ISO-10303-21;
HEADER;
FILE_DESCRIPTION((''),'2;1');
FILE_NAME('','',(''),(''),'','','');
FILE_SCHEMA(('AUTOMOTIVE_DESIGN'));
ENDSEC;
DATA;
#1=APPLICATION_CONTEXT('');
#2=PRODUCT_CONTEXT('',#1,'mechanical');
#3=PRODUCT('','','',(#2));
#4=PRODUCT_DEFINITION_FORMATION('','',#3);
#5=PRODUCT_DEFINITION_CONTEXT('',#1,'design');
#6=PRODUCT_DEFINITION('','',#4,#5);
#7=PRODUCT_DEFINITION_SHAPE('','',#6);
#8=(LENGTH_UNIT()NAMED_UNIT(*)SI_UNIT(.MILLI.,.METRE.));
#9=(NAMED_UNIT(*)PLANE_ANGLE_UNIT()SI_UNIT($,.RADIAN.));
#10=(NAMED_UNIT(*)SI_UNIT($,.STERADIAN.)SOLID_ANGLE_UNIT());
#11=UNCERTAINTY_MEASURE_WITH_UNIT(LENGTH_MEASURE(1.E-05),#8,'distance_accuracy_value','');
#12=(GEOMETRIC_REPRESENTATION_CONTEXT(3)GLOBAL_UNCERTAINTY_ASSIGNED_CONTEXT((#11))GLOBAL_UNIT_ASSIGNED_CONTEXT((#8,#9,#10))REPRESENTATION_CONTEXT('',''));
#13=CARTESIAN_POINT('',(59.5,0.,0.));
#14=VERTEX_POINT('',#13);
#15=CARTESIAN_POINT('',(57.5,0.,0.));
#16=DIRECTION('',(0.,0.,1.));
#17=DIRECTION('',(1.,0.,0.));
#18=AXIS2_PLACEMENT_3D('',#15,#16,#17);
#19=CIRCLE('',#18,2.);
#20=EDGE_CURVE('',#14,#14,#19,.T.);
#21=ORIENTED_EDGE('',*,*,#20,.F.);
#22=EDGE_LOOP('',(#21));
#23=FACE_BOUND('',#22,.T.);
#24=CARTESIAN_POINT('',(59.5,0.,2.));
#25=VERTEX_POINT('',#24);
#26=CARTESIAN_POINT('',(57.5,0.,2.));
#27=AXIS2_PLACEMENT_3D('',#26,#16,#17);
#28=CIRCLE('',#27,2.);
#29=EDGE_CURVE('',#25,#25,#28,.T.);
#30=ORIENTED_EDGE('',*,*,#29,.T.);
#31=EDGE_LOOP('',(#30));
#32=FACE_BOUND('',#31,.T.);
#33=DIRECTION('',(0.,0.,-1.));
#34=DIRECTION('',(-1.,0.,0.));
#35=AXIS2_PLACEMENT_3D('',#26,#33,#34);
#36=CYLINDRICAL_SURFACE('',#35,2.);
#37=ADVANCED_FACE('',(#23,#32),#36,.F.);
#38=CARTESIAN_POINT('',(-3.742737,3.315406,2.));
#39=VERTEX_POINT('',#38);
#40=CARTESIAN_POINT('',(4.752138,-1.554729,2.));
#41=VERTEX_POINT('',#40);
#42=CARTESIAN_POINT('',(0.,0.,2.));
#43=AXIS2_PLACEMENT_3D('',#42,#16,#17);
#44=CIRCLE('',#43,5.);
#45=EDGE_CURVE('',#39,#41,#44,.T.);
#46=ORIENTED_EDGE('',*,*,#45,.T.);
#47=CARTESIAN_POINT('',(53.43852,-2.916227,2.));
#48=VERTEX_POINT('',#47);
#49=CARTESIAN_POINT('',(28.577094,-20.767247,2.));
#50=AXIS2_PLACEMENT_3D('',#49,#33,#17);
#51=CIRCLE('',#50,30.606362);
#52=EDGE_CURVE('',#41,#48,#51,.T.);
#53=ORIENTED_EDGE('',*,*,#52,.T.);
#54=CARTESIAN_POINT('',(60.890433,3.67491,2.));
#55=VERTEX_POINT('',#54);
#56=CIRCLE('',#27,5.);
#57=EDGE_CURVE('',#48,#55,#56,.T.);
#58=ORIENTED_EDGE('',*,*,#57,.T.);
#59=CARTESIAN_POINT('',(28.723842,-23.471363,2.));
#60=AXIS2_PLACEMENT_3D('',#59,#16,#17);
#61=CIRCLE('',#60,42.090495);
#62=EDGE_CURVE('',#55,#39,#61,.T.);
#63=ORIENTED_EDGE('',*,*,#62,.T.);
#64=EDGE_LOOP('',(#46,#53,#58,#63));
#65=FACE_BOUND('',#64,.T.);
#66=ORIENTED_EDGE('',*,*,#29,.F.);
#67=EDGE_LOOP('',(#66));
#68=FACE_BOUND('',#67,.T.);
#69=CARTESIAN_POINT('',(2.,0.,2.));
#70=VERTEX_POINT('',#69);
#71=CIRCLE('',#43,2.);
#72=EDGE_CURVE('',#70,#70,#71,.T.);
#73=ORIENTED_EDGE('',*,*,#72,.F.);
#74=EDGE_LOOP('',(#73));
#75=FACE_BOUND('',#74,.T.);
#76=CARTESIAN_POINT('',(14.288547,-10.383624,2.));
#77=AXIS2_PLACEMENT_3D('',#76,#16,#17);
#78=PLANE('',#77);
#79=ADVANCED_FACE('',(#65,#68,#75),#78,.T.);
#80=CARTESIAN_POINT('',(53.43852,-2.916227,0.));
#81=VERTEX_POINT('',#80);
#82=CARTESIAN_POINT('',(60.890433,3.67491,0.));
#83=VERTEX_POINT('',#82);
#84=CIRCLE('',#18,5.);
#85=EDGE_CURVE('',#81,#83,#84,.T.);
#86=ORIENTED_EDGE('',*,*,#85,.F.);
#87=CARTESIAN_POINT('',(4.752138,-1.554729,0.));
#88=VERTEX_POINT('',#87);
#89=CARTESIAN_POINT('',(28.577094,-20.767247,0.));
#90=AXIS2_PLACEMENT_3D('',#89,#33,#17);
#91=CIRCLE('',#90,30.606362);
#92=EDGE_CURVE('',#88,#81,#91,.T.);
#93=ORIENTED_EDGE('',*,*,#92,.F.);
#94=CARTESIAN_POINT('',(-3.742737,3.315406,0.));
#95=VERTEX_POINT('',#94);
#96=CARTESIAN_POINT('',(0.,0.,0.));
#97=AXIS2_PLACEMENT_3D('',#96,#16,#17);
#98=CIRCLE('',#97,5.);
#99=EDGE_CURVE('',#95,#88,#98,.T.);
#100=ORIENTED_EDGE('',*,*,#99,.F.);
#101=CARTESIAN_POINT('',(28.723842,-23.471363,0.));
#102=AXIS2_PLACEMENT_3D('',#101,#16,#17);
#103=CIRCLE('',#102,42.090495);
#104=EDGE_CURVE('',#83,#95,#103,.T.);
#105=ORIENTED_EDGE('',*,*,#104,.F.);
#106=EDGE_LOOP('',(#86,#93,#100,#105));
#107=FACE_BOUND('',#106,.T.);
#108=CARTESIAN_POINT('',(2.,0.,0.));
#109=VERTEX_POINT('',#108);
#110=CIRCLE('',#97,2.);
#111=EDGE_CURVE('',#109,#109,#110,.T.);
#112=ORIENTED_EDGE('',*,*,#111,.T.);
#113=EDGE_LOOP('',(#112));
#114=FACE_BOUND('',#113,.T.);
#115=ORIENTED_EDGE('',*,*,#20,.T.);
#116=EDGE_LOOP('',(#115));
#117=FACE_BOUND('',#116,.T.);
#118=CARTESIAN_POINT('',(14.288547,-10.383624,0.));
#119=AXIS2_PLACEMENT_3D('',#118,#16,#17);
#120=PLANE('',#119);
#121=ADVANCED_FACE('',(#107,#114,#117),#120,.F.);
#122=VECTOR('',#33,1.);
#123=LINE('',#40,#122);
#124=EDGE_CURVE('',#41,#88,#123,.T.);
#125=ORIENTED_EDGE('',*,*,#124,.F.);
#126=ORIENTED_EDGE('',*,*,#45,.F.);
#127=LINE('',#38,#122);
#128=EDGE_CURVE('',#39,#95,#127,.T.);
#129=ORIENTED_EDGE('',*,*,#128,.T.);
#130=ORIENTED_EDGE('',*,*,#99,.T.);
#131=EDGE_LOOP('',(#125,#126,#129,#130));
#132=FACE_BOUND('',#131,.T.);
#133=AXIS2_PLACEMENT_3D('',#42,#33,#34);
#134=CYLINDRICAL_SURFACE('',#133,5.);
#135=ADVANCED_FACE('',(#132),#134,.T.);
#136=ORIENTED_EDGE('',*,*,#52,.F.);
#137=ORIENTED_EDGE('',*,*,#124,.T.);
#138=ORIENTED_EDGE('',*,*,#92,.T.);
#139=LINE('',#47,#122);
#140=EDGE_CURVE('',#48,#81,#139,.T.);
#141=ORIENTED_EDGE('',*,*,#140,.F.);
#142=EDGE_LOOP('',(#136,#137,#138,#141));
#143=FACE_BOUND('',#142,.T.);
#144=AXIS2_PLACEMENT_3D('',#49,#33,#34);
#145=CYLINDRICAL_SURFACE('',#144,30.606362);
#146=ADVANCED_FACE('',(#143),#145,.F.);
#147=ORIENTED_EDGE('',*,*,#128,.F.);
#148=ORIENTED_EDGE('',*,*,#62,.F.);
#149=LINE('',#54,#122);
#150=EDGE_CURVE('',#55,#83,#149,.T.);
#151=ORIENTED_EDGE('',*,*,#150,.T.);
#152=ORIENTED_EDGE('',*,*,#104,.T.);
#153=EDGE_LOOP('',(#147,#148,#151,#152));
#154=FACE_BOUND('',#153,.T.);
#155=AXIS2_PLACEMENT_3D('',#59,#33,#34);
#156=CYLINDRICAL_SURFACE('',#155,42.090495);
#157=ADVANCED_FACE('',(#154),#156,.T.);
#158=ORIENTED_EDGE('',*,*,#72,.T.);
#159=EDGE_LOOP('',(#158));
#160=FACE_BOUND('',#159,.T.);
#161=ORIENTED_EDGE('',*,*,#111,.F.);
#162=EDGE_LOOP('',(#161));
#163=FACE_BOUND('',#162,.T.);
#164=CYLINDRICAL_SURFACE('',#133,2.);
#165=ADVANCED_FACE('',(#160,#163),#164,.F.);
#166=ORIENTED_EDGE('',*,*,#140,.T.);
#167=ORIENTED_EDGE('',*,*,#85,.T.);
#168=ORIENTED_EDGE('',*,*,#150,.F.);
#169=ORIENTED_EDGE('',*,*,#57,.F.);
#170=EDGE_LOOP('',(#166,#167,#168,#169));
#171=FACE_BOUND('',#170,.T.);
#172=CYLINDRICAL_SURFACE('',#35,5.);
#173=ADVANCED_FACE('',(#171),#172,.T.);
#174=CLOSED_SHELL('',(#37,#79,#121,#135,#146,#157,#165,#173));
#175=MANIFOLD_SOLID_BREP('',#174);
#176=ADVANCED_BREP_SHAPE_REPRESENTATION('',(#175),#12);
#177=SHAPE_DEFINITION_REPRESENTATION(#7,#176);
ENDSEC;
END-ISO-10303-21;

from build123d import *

# Parameters (mm, degrees)
SKETCH1_R           = 2
BOSS_EXTRUDE1_DEPTH = 2


with BuildPart() as part:
    # Sketch1 → Boss-Extrude1 (new body)
    with BuildSketch(Plane.XY):
        with BuildLine():
            ThreePointArc((53.438519997, -2.916227046), (29.432656621, 9.827154462), (4.752138317, -1.554728727))
            ThreePointArc((4.752138317, -1.554728727), (-2.486820582, -4.337709464), (-3.742737075, 3.315406338))
            ThreePointArc((-3.742737075, 3.315406338), (28.489729082, 18.618480506), (60.890433455, 3.674909657))
            ThreePointArc((60.890433455, 3.674909657), (60.812604206, -3.7452174), (53.438519997, -2.916227046))
        make_face()
        Circle(SKETCH1_R, mode=Mode.SUBTRACT)
        with Locations((57.5, 0)):
            Circle(SKETCH1_R, mode=Mode.SUBTRACT)
    extrude(amount=BOSS_EXTRUDE1_DEPTH)


solid = part.part
